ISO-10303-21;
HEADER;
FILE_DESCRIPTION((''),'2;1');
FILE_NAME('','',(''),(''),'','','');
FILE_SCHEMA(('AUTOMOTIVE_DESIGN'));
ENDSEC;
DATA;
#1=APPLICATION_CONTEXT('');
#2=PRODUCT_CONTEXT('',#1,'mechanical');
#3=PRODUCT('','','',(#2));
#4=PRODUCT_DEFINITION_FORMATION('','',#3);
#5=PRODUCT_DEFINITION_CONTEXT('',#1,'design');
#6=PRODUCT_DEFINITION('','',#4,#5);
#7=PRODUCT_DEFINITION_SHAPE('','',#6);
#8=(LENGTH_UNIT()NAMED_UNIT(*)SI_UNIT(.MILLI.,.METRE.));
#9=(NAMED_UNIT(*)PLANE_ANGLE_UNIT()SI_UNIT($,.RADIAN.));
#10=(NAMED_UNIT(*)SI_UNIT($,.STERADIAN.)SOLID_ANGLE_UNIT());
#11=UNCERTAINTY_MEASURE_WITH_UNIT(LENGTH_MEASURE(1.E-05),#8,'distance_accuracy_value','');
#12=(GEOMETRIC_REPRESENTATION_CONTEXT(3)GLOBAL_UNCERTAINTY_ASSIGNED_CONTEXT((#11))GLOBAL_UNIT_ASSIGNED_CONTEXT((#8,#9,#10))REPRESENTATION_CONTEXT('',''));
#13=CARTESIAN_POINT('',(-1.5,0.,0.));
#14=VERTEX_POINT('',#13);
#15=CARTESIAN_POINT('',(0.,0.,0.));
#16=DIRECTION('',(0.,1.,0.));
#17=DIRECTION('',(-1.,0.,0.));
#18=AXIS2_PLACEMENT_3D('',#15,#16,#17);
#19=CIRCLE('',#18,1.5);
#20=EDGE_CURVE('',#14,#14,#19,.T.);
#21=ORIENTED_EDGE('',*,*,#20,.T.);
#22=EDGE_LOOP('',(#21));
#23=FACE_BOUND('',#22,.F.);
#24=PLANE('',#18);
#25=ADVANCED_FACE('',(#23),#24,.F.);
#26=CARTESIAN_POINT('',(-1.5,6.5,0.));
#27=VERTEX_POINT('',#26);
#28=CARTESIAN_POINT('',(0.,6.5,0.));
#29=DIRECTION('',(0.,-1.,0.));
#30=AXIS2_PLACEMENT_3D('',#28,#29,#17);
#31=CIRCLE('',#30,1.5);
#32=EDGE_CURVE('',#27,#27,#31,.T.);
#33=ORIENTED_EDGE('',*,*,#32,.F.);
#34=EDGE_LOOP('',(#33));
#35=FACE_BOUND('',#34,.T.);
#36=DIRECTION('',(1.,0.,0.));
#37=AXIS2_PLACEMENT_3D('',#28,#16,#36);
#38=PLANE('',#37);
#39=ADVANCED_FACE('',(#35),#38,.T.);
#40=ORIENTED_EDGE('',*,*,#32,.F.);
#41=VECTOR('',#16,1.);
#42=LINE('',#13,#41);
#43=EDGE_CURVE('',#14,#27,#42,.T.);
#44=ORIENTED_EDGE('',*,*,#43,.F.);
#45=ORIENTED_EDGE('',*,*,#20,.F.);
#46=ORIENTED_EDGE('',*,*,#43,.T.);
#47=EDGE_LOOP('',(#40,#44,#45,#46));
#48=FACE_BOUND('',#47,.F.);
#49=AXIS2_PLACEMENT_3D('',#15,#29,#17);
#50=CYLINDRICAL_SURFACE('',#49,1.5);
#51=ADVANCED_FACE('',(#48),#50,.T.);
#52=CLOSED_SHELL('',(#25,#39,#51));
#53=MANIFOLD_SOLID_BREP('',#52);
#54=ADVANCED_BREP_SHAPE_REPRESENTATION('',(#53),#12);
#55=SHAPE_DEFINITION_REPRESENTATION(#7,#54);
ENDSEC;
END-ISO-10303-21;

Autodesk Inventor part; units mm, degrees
ref_plane "YZ Plane" through (0, 0, 0) normal (1, 0, 0) x (0, 1, 0)
ref_plane "XZ Plane" through (0, 0, 0) normal (0, 1, 0) x (-1, 0, 0)
ref_plane "XY Plane" through (0, 0, 0) normal (0, 0, 1) x (1, 0, 0)
sketch "Sketch1" plane through (0, 0, 0) normal (0, 1, 0) x (-1, 0, 0)
  circle A0 centre (0, 0) radius 1.5
  dimension "d0" = 3
extrude "Extrusion1" add sketch "Sketch1" along normal blind 7
sketch "Sketch2" plane through (0, 7, 0) normal (0, 1, 0) x (1, 0, 0)
  circle A0 centre (0, 0) radius 1.5 projected
  circle A1 centre (0, 0) radius 1.5
extrude "Extrusion2" cut sketch "Sketch2" against normal blind 0.5
sketch "Sketch3" plane through (0, 6.5, 0) normal (0, 1, 0) x (1, 0, 0)
  point P0 (0, 0)
properties part number "pin"
